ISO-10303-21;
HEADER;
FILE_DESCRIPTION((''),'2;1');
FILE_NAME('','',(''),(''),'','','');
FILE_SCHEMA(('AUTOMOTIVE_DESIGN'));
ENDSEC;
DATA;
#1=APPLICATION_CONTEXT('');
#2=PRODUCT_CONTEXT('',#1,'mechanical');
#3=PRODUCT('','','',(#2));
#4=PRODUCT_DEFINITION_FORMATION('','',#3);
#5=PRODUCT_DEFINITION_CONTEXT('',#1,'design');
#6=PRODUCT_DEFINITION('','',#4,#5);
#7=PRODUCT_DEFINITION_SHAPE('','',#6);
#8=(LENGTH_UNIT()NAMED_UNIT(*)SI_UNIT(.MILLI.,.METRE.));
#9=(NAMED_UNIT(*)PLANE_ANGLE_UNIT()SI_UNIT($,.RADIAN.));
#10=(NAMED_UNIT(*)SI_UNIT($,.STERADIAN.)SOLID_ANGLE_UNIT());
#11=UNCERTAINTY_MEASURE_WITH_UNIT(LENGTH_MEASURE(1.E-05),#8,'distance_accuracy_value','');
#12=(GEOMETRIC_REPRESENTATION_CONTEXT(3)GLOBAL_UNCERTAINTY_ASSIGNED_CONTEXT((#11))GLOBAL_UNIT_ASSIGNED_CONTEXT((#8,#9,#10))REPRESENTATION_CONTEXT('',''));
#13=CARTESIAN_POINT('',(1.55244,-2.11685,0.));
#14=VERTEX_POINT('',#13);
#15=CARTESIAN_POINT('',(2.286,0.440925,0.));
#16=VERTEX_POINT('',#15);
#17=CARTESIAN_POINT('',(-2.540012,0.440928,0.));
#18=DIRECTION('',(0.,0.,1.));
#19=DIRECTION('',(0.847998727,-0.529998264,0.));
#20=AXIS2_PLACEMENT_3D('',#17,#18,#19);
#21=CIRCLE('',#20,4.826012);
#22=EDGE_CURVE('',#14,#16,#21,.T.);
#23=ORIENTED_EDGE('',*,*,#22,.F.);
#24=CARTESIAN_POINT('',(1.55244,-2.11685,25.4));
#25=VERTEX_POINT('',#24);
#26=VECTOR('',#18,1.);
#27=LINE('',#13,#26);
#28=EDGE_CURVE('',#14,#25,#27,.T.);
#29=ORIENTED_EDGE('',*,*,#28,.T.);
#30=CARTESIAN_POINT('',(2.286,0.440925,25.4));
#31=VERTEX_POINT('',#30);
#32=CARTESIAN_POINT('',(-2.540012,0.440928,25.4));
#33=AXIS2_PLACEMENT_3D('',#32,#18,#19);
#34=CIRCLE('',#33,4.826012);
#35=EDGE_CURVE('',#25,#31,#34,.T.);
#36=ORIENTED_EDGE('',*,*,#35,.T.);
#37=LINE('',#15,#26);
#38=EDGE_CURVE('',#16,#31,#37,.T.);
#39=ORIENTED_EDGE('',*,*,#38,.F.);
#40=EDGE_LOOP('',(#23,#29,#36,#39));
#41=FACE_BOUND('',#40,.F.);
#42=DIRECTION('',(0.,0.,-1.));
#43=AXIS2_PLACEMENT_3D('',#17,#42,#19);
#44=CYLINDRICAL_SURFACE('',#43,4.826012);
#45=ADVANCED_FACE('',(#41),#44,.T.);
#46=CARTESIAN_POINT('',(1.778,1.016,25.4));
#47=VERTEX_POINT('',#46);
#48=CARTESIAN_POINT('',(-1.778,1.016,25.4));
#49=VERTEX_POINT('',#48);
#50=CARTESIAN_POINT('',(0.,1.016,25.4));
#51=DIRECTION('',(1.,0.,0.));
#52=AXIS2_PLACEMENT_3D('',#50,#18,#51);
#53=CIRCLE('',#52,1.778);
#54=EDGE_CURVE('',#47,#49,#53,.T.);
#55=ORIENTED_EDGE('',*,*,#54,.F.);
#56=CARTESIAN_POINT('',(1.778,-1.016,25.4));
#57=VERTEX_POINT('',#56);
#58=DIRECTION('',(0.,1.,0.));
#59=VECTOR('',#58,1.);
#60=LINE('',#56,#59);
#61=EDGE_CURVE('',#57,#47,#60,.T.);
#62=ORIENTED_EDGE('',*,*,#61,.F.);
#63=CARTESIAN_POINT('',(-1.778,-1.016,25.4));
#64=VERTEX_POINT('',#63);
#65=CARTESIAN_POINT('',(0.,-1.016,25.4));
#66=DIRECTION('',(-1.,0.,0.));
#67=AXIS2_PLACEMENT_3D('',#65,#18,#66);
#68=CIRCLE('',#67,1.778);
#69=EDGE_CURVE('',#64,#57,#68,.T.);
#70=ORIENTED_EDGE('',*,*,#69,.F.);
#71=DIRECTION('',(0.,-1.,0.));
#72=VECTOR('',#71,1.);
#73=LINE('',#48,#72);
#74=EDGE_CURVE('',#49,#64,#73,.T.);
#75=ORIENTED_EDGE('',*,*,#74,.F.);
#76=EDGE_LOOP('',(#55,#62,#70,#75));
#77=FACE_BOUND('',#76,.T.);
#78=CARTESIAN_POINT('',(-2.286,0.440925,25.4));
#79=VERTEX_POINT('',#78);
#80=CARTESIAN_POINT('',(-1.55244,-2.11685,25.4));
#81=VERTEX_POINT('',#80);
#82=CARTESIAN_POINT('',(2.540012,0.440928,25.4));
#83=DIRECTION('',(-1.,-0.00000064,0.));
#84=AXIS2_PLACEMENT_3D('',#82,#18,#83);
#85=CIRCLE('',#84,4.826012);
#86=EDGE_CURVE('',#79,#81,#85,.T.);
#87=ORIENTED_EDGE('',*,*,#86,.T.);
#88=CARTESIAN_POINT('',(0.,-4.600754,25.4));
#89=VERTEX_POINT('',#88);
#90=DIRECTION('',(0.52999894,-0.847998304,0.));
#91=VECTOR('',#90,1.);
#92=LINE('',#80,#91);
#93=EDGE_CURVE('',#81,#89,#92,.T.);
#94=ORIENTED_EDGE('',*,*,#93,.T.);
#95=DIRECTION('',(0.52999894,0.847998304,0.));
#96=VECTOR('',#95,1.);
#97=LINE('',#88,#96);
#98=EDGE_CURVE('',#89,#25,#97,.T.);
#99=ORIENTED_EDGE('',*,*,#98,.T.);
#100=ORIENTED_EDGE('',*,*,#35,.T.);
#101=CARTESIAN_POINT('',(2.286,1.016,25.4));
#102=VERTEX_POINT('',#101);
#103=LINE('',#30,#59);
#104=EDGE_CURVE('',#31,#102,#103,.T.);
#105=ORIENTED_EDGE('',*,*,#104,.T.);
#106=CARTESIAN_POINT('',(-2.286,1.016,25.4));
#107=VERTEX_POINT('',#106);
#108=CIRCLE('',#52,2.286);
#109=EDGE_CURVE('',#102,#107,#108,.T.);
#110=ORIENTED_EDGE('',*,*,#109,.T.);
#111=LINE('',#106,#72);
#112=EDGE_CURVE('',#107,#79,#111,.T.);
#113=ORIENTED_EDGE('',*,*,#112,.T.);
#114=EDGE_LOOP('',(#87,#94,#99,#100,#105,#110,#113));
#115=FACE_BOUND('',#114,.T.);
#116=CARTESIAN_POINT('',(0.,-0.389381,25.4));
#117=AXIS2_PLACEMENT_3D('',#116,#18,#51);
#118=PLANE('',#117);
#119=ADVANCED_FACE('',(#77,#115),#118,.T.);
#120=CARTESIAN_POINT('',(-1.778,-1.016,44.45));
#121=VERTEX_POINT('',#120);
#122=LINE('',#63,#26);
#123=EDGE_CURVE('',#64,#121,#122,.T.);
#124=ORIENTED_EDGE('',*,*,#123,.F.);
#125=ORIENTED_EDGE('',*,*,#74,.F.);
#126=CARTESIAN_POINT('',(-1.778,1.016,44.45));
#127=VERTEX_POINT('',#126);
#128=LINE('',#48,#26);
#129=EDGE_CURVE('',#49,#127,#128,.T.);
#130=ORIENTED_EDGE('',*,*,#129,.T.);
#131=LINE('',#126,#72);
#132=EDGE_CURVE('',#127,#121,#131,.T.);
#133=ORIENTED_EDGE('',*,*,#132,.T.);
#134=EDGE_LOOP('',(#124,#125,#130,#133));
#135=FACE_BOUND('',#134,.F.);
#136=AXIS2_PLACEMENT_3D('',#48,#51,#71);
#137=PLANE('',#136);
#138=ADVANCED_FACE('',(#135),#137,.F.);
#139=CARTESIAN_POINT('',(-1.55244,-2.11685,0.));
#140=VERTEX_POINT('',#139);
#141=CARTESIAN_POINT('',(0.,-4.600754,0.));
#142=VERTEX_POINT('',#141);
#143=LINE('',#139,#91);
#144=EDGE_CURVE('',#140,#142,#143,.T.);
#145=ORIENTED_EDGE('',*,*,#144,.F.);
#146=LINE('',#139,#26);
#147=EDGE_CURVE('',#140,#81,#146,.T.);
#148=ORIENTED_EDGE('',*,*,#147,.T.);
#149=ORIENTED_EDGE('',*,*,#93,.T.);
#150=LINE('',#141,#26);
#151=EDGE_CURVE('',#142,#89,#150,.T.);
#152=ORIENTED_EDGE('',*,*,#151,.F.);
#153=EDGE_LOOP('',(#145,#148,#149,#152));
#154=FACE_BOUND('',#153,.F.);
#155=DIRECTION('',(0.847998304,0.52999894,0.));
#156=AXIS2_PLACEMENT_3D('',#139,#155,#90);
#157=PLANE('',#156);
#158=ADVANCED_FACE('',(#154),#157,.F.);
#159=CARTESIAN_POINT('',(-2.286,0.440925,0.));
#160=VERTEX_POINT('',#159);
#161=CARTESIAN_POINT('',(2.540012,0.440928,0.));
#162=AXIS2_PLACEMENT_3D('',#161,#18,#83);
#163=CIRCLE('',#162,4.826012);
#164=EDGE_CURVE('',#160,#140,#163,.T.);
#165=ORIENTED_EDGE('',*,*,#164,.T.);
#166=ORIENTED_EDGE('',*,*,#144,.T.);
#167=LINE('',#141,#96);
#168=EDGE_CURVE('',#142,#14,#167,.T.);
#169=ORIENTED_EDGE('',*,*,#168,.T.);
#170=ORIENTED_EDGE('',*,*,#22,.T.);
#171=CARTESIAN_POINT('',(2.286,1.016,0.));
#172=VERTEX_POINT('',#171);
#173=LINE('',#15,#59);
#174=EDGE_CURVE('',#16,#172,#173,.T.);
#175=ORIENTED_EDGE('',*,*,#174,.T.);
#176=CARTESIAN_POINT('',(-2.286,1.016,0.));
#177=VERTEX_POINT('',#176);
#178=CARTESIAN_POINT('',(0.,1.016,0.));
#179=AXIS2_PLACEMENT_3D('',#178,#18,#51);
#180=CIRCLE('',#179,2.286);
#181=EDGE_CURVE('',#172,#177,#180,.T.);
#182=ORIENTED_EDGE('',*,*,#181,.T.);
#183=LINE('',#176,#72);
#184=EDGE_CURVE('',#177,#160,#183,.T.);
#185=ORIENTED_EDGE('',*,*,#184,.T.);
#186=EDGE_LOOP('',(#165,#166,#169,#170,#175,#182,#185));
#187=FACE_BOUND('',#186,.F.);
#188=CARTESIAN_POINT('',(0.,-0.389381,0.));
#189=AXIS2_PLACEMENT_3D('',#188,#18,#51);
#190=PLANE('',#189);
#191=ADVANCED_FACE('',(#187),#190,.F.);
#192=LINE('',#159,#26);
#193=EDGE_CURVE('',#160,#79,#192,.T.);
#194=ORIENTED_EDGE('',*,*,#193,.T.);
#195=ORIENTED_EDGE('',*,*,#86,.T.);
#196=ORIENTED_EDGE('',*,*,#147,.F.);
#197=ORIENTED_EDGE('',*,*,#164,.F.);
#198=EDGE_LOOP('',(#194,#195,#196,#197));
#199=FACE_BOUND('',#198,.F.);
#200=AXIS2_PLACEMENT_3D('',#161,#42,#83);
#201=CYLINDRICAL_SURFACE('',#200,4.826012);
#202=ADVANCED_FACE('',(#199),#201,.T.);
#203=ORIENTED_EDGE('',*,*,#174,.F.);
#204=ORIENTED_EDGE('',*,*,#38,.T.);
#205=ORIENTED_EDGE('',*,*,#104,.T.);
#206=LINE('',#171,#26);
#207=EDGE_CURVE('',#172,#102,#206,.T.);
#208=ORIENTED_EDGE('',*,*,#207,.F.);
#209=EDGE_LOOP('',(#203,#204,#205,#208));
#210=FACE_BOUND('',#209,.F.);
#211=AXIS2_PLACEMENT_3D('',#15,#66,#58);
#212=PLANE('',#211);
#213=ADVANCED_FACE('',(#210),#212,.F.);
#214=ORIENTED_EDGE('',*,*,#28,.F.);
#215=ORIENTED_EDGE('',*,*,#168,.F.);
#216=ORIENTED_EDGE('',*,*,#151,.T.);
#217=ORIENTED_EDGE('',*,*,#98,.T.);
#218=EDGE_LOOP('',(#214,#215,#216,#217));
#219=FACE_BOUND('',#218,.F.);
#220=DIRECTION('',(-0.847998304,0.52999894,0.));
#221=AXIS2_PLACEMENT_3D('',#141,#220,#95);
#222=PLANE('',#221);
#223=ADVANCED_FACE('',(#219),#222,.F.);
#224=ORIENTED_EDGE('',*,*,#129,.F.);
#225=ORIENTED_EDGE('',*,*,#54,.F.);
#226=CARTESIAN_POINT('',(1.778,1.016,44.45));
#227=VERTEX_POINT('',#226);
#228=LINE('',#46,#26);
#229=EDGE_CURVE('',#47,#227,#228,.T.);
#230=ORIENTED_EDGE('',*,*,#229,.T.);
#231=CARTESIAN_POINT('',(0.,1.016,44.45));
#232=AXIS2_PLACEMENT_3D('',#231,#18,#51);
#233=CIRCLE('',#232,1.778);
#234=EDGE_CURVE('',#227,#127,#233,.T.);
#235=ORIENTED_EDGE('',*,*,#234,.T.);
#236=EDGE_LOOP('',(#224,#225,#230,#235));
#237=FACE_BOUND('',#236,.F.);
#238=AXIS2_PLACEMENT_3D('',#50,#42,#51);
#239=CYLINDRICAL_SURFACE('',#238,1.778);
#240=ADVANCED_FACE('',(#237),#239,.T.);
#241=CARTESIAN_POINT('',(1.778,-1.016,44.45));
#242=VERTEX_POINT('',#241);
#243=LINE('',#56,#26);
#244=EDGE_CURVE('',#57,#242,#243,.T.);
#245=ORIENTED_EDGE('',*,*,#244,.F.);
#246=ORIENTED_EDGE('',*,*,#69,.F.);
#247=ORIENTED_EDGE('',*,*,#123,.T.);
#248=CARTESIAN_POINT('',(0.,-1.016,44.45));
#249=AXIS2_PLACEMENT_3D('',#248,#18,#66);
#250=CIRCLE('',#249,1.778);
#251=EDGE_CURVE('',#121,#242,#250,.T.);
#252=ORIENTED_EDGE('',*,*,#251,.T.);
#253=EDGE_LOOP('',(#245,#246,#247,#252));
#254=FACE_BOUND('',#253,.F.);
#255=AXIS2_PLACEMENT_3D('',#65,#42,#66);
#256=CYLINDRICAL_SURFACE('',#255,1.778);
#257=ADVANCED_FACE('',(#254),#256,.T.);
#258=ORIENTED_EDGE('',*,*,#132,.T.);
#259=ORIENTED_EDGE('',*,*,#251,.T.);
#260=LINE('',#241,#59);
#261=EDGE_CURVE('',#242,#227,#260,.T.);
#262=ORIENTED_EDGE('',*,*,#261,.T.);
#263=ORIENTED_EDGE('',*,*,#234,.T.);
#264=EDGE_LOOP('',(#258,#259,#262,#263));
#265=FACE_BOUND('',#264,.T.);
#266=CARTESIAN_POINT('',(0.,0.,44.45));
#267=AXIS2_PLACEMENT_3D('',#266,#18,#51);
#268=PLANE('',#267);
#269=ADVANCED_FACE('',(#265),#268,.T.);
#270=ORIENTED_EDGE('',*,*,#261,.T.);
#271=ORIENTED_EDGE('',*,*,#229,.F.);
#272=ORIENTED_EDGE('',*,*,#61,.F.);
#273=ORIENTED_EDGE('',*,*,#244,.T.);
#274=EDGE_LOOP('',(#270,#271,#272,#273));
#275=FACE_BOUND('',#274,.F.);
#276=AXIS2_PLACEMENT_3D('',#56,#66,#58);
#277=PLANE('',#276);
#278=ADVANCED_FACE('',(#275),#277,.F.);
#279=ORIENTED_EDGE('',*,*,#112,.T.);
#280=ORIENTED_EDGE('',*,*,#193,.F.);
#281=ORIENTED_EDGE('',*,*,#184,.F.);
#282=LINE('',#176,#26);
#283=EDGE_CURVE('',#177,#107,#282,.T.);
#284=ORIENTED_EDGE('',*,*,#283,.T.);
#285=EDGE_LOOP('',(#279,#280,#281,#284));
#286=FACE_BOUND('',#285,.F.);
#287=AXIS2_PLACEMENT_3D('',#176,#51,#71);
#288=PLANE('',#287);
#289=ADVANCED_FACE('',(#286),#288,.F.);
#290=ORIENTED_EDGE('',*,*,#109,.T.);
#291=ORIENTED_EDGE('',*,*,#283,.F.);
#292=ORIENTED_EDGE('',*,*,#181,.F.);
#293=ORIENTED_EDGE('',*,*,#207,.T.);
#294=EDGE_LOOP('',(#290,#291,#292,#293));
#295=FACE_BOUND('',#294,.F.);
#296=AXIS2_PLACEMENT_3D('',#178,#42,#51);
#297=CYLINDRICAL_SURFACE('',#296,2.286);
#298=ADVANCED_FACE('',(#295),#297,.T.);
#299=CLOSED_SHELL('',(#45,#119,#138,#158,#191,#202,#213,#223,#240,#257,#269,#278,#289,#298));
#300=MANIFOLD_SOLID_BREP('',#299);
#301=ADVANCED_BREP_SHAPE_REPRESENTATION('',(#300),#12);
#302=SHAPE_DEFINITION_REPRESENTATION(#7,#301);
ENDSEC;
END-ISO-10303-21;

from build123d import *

# Parameters (mm, degrees)
F1_DEPTH = 25.4
F3_DEPTH = 19.05


with BuildPart() as f1:
    # F0 (on Top) → F1 (new body)
    with BuildSketch(Plane.XY):
        with BuildLine():
            Line((2.286, 0.440925), (2.286, 1.016))
            ThreePointArc((2.286, 1.016), (0, 3.302), (-2.286, 1.016))
            Line((-2.286, 1.016), (-2.286, 0.440925))
            ThreePointArc((-2.286, 0.440925), (-2.098986, -0.889519), (-1.55244, -2.11685))
            Line((-1.55244, -2.11685), (0, -4.600754))
            Line((0, -4.600754), (1.55244, -2.11685))
            ThreePointArc((1.55244, -2.11685), (2.098986, -0.889519), (2.286, 0.440925))
        make_face()
    extrude(amount=F1_DEPTH)

    # F2 (on face) → F3 (join)
    with BuildSketch(Plane.XY.offset(25.4)):
        with BuildLine():
            ThreePointArc((1.778, 1.016), (0, 2.794), (-1.778, 1.016))
            Line((-1.778, 1.016), (-1.778, -1.016))
            ThreePointArc((-1.778, -1.016), (0, -2.794), (1.778, -1.016))
            Line((1.778, -1.016), (1.778, 1.016))
        make_face()
    extrude(amount=F3_DEPTH)


solid = f1.part
